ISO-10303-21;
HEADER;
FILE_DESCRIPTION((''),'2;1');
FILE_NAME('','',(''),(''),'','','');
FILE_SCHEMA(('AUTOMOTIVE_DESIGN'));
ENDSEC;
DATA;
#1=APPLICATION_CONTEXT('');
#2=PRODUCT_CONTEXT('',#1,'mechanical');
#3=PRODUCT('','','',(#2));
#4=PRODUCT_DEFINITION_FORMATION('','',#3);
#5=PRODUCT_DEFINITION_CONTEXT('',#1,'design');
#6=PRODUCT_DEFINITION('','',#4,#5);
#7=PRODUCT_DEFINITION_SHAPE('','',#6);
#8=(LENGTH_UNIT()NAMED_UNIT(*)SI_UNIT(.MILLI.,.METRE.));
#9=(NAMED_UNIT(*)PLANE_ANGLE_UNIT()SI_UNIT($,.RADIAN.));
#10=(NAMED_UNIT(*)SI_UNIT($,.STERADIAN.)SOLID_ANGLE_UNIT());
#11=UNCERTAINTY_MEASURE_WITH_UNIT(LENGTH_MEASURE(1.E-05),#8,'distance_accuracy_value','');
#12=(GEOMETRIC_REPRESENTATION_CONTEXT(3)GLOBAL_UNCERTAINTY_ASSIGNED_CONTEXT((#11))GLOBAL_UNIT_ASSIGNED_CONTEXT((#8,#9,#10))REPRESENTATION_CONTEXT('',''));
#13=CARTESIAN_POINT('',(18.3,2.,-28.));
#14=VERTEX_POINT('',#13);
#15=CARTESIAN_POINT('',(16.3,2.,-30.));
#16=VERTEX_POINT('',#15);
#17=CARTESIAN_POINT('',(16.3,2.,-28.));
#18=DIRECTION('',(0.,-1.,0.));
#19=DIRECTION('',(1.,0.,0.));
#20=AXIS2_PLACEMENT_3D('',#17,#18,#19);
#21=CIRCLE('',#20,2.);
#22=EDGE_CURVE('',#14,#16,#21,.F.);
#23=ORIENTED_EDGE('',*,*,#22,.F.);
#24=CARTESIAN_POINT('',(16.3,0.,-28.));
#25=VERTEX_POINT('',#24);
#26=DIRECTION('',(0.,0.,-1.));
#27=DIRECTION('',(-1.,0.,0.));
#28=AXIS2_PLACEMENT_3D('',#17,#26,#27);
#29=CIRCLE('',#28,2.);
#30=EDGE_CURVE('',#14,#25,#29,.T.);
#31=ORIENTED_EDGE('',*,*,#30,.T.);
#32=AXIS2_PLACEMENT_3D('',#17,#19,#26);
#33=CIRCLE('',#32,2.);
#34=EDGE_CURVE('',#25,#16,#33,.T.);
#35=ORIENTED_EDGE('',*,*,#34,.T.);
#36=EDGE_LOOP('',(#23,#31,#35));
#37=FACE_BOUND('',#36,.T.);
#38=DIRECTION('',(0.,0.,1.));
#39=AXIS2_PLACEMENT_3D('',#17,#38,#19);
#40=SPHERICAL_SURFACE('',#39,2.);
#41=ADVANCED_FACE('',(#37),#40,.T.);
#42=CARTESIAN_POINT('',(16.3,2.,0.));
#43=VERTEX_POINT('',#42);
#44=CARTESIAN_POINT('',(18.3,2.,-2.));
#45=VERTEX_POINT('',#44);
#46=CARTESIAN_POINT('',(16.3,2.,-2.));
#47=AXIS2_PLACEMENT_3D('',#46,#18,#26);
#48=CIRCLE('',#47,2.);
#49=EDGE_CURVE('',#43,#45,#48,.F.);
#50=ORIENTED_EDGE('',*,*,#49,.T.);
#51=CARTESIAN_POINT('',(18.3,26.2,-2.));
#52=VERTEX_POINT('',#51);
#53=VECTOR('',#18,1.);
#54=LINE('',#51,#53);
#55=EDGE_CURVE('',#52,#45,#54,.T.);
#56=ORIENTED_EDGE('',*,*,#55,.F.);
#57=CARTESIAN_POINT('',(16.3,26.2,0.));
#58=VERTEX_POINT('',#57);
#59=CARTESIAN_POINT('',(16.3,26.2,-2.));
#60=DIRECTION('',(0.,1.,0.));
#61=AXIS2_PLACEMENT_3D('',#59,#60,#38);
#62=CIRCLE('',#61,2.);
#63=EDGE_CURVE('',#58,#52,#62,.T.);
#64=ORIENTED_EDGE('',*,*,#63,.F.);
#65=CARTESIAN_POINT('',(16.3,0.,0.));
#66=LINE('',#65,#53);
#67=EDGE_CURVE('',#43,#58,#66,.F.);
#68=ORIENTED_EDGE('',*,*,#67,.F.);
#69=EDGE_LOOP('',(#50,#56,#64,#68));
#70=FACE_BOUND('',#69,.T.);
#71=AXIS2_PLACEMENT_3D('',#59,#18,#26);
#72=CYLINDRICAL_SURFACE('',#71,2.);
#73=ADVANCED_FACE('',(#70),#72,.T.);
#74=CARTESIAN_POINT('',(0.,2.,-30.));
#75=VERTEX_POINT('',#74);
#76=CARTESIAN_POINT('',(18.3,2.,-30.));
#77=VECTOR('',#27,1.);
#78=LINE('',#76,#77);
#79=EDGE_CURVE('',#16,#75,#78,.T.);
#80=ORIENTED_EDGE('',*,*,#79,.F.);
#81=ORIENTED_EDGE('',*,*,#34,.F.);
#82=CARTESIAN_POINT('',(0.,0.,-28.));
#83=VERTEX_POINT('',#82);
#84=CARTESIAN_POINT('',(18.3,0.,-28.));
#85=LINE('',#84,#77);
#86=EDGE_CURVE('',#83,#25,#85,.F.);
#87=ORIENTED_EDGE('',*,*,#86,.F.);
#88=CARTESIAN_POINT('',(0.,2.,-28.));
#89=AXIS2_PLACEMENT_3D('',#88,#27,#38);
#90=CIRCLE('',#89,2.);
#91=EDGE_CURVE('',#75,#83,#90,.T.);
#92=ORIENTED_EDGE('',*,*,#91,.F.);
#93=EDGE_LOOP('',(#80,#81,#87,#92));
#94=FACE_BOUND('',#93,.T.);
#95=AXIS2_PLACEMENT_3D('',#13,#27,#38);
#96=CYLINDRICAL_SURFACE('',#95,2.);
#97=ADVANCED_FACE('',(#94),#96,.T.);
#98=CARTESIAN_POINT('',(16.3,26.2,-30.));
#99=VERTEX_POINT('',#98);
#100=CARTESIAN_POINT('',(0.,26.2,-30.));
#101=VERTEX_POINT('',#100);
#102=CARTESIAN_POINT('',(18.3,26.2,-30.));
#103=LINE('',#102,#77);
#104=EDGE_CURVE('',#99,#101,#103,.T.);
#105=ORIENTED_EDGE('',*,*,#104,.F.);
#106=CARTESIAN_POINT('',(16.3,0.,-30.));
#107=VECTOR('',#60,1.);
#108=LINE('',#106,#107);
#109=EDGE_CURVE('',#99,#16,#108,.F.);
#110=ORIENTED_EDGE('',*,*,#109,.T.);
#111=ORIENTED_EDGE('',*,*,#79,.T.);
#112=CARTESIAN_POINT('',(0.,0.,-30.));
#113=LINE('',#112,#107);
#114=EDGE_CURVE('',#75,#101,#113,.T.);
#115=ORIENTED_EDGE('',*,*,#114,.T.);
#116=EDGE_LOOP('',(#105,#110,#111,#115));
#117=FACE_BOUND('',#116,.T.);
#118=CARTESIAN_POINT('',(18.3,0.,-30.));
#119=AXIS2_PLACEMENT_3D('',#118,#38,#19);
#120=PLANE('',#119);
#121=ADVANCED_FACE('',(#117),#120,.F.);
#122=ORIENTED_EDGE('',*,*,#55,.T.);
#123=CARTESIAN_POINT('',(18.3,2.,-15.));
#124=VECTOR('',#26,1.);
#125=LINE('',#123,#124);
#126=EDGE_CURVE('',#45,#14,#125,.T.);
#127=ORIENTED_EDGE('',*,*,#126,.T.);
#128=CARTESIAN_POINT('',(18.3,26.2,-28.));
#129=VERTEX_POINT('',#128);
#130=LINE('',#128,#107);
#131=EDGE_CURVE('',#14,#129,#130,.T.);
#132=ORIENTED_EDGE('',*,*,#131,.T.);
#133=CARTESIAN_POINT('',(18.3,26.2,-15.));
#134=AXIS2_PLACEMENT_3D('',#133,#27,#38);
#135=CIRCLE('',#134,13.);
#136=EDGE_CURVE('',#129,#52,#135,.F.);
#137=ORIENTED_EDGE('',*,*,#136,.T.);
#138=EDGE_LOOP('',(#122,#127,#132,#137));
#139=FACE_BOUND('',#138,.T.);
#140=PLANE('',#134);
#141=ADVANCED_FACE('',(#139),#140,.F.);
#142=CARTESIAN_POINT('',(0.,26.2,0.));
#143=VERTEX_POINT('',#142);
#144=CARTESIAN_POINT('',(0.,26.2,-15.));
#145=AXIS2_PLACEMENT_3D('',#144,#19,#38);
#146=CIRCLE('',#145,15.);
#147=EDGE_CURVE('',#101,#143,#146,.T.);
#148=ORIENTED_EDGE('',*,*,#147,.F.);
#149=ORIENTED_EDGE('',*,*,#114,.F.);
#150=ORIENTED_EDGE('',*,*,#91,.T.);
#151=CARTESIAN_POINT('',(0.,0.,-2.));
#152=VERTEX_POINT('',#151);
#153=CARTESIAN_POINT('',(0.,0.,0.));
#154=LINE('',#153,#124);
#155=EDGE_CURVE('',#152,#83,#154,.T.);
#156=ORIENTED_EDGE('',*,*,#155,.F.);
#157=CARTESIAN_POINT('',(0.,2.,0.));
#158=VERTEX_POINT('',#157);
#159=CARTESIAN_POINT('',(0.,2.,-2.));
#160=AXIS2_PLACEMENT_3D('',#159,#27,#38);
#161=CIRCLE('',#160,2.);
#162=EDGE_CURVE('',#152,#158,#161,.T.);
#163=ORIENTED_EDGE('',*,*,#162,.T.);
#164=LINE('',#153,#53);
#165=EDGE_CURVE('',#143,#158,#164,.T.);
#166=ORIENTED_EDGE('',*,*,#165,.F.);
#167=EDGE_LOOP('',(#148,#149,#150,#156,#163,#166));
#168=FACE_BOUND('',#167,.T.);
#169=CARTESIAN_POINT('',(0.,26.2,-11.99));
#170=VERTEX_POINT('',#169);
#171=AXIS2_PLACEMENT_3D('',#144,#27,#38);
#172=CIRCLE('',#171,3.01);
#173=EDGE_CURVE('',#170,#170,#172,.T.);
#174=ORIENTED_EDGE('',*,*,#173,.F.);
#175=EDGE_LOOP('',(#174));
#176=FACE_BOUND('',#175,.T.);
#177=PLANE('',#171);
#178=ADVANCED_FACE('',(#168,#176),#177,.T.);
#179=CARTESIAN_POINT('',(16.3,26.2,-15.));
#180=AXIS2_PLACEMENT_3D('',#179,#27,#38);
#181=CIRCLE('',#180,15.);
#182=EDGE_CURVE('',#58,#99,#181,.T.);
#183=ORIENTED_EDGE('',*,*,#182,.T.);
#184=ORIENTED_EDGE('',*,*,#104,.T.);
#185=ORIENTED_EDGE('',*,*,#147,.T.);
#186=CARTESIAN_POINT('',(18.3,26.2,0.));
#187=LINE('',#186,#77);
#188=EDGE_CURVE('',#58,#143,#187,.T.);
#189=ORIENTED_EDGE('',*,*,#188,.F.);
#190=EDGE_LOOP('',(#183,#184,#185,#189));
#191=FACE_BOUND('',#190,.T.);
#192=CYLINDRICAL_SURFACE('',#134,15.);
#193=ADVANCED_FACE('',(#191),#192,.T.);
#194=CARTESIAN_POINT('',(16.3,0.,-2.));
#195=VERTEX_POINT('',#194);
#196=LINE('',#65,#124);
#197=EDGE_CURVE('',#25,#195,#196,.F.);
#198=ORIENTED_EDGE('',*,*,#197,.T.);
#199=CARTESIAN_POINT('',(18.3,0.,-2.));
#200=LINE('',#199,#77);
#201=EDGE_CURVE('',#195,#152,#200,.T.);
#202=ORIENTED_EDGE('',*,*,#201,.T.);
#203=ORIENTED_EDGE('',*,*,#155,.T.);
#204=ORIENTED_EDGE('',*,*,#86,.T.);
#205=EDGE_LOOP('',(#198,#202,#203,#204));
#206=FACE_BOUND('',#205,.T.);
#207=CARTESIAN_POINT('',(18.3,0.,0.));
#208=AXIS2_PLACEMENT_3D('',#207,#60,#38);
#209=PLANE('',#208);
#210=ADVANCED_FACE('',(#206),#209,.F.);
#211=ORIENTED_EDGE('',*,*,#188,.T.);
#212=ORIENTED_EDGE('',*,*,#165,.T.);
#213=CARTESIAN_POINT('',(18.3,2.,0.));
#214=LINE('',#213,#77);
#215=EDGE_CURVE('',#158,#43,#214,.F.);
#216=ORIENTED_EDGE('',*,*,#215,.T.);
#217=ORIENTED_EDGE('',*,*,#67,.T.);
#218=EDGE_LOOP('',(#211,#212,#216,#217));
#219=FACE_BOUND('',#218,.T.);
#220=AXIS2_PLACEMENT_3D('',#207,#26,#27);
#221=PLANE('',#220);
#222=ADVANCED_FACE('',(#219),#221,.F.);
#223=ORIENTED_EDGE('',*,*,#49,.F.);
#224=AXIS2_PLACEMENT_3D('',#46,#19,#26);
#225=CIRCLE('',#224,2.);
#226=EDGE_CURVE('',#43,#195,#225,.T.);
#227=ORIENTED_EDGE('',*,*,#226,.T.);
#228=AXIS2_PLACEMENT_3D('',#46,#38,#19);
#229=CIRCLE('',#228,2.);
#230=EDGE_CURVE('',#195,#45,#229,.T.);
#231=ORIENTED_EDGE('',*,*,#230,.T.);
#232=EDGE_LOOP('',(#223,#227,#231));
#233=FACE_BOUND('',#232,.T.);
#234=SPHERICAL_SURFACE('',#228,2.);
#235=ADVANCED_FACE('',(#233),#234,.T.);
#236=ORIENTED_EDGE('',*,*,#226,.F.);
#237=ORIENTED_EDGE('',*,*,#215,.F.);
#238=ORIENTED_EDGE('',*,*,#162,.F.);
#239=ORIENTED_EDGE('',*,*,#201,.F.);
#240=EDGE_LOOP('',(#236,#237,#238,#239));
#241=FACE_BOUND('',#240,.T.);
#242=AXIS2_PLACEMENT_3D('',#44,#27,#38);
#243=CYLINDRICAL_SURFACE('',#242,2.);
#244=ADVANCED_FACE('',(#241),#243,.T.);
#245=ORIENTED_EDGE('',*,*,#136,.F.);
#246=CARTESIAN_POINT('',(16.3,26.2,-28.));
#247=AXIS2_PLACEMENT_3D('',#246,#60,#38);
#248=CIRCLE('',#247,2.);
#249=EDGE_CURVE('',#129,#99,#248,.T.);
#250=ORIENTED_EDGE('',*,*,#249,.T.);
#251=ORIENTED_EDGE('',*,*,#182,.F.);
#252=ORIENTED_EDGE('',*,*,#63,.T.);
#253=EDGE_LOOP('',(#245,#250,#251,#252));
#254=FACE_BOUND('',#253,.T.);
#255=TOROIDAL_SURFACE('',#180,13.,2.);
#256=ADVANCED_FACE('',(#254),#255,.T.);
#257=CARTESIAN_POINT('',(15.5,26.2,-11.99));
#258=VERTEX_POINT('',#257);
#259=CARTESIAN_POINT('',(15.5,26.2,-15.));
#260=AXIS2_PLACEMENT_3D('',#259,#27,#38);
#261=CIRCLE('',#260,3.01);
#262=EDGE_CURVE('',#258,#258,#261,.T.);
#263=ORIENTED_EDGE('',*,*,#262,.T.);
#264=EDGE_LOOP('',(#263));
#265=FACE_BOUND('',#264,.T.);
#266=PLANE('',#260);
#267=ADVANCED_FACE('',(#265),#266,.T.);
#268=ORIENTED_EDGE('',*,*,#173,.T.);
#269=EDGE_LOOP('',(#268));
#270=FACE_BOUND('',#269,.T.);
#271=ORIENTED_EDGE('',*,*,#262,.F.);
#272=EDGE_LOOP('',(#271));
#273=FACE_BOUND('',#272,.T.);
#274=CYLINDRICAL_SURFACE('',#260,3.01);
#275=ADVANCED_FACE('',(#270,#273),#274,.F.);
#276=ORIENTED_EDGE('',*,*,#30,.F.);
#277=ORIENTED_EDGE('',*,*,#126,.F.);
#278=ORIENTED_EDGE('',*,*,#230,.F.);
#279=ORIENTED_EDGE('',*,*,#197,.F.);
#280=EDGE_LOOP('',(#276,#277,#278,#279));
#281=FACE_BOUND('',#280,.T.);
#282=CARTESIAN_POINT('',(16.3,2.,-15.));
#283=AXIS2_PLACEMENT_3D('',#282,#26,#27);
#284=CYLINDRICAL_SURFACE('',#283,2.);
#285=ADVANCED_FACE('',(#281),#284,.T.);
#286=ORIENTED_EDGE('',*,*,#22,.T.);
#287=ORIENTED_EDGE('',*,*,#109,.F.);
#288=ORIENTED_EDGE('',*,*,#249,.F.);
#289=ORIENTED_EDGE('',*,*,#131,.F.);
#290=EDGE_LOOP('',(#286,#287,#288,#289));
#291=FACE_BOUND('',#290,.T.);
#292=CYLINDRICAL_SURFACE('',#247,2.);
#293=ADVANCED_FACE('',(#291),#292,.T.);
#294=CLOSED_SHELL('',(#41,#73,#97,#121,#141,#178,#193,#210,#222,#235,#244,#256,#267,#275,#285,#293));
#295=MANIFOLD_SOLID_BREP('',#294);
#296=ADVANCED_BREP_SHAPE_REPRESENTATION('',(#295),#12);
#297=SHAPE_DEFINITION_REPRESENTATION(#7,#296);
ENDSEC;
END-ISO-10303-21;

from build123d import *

# Parameters (mm, degrees)
EXTRUDE1_DEPTH     = 18.3
SKETCH2_R          = 3.01
CUT_EXTRUDE1_DEPTH = 15.5
FILLET1_R          = 2


with BuildPart() as part:
    # Sketch1 → Extrude1 (new body)
    with BuildSketch(Plane(origin=(0, 0, 0), x_dir=(0, 0, -1), z_dir=(1, 0, 0))):
        with BuildLine():
            Line((0, 0), (30, 0))
            Line((30, 0), (30, 26.2))
            ThreePointArc((30, 26.2), (15, 41.2), (0, 26.2))
            Line((0, 26.2), (0, 0))
        make_face()
    extrude(amount=EXTRUDE1_DEPTH)

    # Sketch2 → Cut-Extrude1 (cut)
    with BuildSketch(Plane.ZY):
        with Locations((-15, 26.2)):
            Circle(SKETCH2_R)
    extrude(amount=-CUT_EXTRUDE1_DEPTH, mode=Mode.SUBTRACT)

    # Fillet1
    fillet1_edges = [part.edges().sort_by_distance(p)[0] for p in [
        (18.3, 13.1, -30),
        (18.3, 41.2, -15),
        (18.3, 13.1, 0),
        (18.3, 0, -15),
        (9.15, 0, -30),
        (9.15, 0, 0),
    ]]
    fillet(fillet1_edges, radius=FILLET1_R)


solid = part.part
